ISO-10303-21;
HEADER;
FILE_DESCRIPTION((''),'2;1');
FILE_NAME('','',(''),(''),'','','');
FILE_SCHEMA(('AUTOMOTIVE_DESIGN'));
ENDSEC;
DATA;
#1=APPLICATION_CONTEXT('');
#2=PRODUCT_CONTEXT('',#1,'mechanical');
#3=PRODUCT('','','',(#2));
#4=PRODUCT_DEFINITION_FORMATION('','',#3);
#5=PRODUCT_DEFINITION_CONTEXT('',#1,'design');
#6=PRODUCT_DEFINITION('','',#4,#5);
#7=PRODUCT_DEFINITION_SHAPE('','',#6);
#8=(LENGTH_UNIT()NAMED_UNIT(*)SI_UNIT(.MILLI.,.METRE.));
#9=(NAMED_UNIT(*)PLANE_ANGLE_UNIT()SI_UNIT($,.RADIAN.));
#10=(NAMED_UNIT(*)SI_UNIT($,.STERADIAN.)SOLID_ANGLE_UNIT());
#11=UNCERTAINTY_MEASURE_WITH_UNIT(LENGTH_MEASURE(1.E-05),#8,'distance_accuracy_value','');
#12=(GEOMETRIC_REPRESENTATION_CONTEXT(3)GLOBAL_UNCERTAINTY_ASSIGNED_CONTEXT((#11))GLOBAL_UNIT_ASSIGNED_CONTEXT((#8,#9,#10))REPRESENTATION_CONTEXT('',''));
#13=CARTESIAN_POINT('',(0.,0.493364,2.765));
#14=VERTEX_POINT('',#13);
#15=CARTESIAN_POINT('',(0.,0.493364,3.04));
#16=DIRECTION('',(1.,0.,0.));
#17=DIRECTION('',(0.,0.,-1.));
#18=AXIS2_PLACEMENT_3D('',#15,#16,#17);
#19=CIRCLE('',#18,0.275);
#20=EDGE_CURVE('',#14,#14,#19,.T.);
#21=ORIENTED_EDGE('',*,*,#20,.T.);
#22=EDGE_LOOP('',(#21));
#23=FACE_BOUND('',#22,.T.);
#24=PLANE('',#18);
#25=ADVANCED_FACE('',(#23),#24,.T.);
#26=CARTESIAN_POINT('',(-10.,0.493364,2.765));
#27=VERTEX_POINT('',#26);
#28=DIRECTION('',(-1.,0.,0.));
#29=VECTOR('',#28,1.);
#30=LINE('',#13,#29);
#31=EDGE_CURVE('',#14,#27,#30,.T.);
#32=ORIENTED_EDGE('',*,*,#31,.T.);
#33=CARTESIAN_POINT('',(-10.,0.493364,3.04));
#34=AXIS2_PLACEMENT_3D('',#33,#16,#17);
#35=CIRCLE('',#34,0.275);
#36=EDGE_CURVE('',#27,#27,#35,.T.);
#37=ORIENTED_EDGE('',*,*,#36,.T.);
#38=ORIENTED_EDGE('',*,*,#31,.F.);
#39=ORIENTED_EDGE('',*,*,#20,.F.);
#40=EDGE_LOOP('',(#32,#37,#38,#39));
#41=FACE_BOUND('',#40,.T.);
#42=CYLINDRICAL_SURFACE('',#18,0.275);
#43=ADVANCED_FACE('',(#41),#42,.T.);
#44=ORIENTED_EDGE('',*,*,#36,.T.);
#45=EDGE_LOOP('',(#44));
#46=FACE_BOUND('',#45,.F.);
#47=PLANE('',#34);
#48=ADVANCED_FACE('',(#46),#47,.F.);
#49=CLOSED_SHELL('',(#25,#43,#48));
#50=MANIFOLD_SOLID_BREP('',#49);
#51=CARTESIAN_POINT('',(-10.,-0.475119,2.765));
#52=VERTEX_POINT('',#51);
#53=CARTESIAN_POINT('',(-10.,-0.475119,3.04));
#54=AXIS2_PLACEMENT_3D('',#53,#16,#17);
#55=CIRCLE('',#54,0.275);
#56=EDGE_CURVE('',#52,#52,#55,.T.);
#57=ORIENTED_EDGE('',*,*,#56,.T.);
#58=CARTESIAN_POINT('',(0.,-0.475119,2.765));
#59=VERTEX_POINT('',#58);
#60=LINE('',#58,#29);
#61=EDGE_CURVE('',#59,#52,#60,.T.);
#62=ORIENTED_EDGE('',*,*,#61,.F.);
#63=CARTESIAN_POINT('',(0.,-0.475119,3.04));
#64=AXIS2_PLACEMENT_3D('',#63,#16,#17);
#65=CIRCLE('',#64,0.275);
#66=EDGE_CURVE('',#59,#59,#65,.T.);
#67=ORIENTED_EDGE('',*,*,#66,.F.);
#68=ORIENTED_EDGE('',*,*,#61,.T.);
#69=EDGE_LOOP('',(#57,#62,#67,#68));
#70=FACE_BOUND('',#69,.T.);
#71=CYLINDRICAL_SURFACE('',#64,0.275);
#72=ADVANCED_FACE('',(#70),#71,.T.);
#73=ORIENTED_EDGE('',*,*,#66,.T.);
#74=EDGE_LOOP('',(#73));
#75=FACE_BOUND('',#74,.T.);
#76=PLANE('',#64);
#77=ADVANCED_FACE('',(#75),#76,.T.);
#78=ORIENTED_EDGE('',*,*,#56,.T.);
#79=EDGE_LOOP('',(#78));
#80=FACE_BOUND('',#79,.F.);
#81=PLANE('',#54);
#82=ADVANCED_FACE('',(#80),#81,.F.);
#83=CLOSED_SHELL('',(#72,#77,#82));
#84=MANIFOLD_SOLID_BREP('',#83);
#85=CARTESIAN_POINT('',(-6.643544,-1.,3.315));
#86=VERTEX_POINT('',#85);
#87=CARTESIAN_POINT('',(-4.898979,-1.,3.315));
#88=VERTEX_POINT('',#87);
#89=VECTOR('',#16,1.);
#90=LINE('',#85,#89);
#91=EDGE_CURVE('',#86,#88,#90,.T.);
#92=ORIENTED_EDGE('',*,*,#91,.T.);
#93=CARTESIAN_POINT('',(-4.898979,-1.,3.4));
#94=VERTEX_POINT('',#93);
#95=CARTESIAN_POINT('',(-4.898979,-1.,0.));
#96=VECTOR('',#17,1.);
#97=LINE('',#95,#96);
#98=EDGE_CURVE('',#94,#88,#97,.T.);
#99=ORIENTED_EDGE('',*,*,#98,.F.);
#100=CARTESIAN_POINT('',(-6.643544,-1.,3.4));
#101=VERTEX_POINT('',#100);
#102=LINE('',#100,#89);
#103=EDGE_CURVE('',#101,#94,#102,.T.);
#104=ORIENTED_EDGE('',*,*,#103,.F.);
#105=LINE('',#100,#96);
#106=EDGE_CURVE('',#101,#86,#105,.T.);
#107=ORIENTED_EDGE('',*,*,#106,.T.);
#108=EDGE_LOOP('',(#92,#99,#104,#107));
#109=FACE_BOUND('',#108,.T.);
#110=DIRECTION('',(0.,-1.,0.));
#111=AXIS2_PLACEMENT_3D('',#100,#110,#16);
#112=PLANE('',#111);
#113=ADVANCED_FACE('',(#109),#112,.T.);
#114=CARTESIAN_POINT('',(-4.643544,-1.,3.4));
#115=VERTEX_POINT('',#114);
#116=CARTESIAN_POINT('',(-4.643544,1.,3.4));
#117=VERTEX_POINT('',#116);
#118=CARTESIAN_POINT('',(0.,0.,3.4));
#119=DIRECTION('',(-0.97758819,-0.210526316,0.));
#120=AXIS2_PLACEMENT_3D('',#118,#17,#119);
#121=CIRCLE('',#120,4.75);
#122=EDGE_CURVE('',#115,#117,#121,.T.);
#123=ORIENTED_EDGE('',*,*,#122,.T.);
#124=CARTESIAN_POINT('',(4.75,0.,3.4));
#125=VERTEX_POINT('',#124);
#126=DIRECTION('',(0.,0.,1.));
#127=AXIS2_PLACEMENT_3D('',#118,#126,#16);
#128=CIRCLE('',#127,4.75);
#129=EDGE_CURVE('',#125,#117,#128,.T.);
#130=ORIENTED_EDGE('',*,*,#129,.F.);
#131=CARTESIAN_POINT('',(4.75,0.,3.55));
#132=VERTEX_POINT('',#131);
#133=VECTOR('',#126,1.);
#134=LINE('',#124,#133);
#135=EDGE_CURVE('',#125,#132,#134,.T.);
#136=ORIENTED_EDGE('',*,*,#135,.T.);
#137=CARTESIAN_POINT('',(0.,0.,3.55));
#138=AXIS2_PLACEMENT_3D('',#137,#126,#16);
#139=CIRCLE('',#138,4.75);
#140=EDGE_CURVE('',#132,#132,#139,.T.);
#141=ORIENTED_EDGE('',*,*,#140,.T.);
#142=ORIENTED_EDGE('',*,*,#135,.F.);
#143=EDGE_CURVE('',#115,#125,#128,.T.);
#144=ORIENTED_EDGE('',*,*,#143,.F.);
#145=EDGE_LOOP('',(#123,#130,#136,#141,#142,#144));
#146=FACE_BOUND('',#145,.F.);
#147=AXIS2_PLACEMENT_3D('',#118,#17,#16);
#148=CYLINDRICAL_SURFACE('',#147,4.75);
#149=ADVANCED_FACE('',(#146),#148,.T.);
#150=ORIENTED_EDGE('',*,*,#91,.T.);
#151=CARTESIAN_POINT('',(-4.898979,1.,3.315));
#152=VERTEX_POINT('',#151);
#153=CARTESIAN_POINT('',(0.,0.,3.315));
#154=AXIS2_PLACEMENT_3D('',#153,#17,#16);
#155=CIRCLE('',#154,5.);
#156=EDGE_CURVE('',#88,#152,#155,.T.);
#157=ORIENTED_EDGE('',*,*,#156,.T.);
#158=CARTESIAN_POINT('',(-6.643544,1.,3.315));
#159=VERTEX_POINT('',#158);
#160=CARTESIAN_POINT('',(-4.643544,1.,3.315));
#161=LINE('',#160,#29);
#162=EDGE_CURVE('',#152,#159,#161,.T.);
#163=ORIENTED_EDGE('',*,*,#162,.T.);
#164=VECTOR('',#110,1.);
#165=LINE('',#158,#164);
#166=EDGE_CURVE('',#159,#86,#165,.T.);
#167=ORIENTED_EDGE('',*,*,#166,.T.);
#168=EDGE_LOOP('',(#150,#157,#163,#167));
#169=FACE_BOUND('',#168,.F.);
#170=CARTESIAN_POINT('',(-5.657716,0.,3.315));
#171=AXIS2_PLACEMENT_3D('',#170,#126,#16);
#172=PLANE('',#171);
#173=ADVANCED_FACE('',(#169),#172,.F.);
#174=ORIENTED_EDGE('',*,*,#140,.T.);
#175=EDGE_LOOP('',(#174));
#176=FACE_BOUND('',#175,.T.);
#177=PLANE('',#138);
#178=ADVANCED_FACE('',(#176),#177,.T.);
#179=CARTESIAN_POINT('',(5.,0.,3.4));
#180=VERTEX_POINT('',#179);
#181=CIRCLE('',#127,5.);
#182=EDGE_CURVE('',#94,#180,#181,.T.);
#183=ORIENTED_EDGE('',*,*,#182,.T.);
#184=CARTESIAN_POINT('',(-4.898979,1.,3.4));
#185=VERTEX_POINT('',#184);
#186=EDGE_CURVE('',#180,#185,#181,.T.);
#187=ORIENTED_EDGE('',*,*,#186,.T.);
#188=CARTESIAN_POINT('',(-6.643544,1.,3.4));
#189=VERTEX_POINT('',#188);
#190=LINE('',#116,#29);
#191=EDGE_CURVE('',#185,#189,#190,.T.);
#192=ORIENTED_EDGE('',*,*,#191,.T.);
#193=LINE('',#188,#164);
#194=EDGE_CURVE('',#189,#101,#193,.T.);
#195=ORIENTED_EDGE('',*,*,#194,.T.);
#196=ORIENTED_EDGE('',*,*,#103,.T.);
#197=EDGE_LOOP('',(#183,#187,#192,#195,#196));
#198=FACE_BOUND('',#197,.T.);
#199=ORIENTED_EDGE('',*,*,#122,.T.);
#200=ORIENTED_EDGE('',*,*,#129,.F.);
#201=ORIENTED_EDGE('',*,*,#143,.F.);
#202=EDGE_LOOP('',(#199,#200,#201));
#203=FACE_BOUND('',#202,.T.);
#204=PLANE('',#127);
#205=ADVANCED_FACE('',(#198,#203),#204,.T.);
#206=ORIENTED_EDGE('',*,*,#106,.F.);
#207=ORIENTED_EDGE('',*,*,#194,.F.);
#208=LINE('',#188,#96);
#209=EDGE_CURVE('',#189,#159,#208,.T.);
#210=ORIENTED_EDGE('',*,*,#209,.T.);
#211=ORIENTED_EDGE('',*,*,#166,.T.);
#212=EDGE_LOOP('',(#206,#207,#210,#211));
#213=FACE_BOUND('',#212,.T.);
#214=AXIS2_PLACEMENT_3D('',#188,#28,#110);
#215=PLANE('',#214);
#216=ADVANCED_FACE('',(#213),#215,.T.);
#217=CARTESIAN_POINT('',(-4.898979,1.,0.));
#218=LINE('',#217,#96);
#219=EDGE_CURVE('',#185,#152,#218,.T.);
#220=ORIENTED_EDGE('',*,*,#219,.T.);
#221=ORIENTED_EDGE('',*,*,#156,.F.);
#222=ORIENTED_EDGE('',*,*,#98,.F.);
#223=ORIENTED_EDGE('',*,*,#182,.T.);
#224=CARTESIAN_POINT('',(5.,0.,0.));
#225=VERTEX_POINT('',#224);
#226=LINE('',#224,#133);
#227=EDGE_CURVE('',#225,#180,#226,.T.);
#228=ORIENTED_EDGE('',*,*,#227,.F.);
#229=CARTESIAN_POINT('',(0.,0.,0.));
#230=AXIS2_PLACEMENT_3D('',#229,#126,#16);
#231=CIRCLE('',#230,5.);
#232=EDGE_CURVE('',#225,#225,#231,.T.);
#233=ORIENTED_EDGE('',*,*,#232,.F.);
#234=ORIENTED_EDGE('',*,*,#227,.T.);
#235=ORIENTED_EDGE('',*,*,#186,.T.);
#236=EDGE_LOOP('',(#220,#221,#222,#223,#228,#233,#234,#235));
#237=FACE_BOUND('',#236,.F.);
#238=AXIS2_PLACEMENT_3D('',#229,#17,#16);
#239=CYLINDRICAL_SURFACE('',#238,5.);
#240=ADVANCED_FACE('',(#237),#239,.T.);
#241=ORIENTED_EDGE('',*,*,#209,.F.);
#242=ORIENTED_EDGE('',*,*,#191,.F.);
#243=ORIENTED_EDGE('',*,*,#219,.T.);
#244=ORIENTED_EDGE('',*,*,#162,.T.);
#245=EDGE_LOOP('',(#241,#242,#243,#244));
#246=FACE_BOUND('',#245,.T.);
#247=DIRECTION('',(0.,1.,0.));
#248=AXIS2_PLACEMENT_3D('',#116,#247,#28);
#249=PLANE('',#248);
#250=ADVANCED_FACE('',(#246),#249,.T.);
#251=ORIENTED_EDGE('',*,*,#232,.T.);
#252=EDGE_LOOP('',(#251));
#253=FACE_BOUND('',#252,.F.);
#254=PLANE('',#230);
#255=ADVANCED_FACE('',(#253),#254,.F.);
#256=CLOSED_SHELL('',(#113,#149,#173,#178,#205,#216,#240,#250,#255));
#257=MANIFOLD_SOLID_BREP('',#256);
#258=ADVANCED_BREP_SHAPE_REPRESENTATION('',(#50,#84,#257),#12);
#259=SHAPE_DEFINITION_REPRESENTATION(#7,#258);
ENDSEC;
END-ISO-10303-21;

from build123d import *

# Parameters (mm, degrees)
SKETCH1_R             = 5
BOSS_EXTRUDE1_DEPTH   = 3.4
SKETCH2_R             = 4.75
BOSS_EXTRUDE2_DEPTH   = 0.15
BOSS_EXTRUDE3_DEPTH   = 0.085
SKETCH5_R             = 0.275
BOSS_EXTRUDE5_DEPTH   = 10
BOSS_EXTRUDE5_2_DEPTH = 10


with BuildPart() as part:
    # Sketch1 → Boss-Extrude1 (new body)
    with BuildSketch(Plane.XY):
        Circle(SKETCH1_R)
    extrude(amount=BOSS_EXTRUDE1_DEPTH)

    # Sketch2 → Boss-Extrude2 (add)
    with BuildSketch(Plane.XY.offset(3.4)):
        Circle(SKETCH2_R)
    extrude(amount=BOSS_EXTRUDE2_DEPTH)

    # Sketch4 → Boss-Extrude3 (add)
    with BuildSketch(Plane.XY.offset(3.4)):
        with BuildLine():
            Line((-4.643543905, 1), (-6.643543905, 1))
            Line((-6.643543905, 1), (-6.643543905, -1))
            Line((-6.643543905, -1), (-4.643543905, -1))
            ThreePointArc((-4.643543905, -1), (-4.75, 0), (-4.643543905, 1))
        make_face()
    extrude(amount=-BOSS_EXTRUDE3_DEPTH)


with BuildPart() as body_2:
    # Sketch5 → Boss-Extrude5 (new body)
    with BuildSketch(Plane(origin=(0, 0, 0), x_dir=(0, 0, -1), z_dir=(1, 0, 0))):
        with Locations((-3.04, 0.493364025)):
            Circle(SKETCH5_R)
    extrude(amount=-BOSS_EXTRUDE5_DEPTH)


with BuildPart() as body_3:
    # Sketch5 → Boss-Extrude5 2 (new body)
    with BuildSketch(Plane(origin=(0, 0, 0), x_dir=(0, 0, -1), z_dir=(1, 0, 0))):
        with Locations((-3.04, -0.475118647)):
            Circle(SKETCH5_R)
    extrude(amount=-BOSS_EXTRUDE5_2_DEPTH)


solid = Compound([part.part, body_2.part, body_3.part])
